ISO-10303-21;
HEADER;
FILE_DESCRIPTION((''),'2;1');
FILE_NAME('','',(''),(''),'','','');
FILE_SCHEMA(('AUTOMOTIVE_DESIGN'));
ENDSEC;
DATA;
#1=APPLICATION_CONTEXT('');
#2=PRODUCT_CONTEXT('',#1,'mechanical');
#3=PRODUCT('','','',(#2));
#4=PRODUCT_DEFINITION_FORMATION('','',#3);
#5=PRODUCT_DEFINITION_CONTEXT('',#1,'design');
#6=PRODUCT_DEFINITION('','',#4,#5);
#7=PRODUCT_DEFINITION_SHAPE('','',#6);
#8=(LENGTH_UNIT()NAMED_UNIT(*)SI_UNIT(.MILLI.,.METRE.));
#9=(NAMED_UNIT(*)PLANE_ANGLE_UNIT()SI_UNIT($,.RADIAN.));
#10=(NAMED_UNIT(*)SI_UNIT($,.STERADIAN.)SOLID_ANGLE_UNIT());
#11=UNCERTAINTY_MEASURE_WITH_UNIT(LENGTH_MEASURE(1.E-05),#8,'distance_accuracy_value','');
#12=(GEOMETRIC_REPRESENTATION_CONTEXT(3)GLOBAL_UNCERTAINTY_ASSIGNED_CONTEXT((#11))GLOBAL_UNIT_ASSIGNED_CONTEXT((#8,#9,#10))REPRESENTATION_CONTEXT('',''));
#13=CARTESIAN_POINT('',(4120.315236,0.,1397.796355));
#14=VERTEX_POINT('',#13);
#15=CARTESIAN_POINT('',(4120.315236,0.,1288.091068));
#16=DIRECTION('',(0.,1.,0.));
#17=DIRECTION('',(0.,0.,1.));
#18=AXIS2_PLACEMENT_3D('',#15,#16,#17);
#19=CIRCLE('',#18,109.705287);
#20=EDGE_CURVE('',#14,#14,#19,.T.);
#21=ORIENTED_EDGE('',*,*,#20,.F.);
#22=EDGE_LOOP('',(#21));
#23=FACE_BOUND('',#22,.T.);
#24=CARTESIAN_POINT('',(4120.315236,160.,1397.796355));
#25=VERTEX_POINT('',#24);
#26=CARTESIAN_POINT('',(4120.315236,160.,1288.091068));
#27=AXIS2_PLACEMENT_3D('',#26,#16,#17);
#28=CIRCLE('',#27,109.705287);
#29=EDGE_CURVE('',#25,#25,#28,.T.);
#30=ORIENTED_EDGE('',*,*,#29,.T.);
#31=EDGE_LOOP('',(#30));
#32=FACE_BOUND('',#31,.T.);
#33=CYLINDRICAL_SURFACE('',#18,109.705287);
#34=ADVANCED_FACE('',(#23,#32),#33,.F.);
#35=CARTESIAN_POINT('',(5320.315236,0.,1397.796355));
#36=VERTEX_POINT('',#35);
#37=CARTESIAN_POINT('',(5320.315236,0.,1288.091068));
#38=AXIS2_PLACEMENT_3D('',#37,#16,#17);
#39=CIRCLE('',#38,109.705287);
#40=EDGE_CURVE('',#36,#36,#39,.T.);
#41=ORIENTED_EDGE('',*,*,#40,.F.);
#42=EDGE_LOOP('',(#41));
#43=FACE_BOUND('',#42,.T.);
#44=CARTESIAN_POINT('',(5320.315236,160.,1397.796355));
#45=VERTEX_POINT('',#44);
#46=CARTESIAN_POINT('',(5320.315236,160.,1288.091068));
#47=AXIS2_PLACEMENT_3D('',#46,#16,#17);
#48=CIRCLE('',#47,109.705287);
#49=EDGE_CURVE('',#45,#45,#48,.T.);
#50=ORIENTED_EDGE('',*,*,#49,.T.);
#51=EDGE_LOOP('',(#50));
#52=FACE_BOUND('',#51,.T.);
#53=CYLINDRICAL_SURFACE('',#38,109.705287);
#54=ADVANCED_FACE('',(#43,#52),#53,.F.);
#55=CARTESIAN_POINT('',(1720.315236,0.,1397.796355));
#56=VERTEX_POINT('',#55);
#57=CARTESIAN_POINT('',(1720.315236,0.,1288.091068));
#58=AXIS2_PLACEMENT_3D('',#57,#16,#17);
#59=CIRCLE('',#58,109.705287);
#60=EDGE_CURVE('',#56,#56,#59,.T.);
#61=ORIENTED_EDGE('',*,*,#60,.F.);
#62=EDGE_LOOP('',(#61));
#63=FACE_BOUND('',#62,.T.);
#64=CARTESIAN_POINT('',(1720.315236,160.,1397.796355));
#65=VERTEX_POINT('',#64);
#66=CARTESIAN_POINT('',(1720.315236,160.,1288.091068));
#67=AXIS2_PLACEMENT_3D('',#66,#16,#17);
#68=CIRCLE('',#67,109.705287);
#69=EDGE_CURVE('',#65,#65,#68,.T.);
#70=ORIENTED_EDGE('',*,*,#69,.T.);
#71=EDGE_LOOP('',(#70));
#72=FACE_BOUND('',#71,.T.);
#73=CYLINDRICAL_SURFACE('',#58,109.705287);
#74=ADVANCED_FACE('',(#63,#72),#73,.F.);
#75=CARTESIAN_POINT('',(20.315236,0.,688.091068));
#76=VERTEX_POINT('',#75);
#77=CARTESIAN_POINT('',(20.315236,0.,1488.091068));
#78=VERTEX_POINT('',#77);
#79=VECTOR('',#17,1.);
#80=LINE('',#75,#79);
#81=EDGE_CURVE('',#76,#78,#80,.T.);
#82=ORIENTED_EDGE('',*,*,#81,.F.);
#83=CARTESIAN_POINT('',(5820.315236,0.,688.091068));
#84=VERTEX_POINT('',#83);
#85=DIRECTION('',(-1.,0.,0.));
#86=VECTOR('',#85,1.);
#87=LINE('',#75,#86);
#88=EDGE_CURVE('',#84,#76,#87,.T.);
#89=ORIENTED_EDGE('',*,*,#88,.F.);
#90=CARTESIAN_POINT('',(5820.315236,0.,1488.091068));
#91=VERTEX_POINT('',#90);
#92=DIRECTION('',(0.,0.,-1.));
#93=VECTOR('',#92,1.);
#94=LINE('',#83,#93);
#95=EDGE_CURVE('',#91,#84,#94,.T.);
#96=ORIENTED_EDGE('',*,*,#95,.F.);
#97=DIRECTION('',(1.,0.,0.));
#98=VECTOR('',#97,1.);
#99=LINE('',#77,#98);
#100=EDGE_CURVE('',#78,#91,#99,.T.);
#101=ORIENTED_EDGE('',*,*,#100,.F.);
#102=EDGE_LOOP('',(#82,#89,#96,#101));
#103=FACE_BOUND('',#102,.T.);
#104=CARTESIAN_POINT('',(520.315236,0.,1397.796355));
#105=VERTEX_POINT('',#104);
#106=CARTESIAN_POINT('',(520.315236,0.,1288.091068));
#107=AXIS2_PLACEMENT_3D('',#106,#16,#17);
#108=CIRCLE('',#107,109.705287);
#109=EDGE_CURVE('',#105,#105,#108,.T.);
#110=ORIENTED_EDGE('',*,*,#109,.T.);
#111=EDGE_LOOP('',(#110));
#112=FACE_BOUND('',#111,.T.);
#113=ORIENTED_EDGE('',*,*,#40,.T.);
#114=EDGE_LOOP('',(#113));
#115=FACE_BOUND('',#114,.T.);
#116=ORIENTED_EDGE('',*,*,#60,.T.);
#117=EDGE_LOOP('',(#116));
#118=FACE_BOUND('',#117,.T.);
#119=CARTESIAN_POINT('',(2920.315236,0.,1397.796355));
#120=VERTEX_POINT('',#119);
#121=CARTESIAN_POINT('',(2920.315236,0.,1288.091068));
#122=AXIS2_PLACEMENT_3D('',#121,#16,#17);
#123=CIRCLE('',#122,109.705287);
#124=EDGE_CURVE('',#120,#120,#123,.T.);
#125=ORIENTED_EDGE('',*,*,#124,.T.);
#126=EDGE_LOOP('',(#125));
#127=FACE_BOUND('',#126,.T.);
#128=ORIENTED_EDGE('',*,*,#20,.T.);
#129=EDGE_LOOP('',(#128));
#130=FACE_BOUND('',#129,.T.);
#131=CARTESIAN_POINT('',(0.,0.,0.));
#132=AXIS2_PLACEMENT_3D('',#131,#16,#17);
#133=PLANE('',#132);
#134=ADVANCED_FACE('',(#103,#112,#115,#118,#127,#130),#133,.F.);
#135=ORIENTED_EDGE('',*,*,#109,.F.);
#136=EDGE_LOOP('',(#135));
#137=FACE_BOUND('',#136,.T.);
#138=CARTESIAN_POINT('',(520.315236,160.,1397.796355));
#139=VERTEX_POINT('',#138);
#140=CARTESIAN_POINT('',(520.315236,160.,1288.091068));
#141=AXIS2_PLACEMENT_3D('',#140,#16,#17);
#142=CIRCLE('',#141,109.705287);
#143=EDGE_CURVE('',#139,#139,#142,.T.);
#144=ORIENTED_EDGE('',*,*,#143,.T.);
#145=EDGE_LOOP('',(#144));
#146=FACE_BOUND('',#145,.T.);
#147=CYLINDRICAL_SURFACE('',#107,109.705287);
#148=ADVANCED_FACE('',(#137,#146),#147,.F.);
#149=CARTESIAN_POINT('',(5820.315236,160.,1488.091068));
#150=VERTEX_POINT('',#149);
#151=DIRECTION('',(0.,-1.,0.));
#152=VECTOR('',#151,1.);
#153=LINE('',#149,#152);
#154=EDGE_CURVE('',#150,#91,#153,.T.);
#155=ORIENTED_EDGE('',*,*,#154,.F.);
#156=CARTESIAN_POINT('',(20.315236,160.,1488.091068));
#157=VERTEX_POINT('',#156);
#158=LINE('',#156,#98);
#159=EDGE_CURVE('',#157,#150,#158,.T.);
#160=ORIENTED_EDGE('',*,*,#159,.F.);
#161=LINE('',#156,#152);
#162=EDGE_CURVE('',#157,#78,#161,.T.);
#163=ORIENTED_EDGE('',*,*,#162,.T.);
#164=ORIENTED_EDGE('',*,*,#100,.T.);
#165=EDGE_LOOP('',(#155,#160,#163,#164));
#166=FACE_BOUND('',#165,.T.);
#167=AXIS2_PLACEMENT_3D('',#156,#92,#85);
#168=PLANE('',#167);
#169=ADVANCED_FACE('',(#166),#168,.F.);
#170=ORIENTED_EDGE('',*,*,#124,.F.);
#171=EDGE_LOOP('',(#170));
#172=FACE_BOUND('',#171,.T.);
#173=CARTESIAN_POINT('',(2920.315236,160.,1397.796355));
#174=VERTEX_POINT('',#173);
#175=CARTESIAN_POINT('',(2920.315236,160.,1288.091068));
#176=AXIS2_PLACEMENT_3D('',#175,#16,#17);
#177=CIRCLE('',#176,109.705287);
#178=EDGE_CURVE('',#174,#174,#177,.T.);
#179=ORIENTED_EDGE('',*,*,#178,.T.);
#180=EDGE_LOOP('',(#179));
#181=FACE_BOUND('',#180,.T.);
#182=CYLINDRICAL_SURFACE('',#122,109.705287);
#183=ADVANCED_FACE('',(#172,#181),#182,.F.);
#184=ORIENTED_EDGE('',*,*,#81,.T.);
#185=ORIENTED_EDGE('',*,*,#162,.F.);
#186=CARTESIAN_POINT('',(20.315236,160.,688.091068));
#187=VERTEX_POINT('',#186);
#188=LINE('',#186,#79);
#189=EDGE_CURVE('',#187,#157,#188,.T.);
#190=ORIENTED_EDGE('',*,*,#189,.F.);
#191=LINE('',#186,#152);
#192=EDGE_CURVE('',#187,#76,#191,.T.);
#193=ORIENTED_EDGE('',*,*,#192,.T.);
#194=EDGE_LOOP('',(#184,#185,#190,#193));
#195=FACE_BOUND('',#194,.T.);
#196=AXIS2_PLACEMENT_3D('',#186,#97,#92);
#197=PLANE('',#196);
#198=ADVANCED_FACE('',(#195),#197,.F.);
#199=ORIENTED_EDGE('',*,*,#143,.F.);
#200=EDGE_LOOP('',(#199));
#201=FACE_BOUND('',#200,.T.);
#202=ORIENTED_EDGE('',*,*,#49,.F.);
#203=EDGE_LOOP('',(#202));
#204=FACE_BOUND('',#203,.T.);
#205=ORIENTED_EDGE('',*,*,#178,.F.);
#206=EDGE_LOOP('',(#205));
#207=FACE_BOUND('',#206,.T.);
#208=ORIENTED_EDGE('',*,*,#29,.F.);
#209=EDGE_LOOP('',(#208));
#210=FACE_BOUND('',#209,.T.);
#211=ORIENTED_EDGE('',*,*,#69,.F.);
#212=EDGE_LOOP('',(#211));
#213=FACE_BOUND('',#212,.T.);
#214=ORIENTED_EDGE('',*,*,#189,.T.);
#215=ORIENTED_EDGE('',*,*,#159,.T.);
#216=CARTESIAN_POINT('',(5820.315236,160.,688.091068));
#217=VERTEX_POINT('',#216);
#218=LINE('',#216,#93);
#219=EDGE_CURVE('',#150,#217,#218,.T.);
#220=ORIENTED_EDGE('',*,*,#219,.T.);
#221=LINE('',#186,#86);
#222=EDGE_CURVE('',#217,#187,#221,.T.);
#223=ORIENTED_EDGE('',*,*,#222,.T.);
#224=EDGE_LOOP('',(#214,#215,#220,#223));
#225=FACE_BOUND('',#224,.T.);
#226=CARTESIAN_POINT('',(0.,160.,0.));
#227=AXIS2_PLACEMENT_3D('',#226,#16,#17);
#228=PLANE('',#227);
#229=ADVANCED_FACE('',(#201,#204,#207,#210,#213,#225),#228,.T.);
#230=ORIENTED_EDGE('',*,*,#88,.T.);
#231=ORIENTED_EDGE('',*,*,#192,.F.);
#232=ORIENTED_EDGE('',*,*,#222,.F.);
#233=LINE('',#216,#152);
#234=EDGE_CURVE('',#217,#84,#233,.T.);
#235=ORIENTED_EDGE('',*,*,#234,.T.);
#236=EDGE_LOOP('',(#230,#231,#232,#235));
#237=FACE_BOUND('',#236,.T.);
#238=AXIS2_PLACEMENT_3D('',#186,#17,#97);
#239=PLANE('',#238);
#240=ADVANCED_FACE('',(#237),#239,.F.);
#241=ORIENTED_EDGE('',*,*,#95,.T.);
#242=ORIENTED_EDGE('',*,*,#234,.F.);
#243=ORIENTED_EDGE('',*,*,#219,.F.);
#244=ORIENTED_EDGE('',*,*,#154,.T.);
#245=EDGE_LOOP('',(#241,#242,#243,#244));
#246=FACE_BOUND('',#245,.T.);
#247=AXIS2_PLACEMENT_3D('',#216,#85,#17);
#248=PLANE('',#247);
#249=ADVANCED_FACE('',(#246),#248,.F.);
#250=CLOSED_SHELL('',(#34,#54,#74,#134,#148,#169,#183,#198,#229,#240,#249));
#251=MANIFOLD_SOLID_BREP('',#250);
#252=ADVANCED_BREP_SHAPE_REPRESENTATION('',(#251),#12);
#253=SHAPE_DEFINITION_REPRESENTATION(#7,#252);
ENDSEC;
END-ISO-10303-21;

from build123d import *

# Parameters (mm, degrees)
SKETCH1_W           = 5800
SKETCH1_H           = 800
BOSS_EXTRUDE1_DEPTH = 160
SKETCH2_R           = 109.705286938
CUT_EXTRUDE1_DEPTH  = 160
LPATTERN1_COUNT     = 5
LPATTERN1_PITCH     = 1200


with BuildPart() as part:
    # Sketch1 → Boss-Extrude1 (new body)
    with BuildSketch(Plane(origin=(0, 0, 0), x_dir=(1, 0, 0), z_dir=(0, 1, 0))):
        with Locations((2920.315236427, -1088.091068301)):
            Rectangle(SKETCH1_W, SKETCH1_H)
    extrude(amount=BOSS_EXTRUDE1_DEPTH)

    # Sketch2 → Cut-Extrude1 (cut)
    with BuildSketch(Plane(origin=(0, 160, 0), x_dir=(1, 0, 0), z_dir=(0, 1, 0))):
        with Locations(Location((520.315236427, -1288.091068301, 0), (0, 0, 270))):  # turned: the seam where the file's is
            Circle(SKETCH2_R)
    cut_extrude1 = extrude(amount=-CUT_EXTRUDE1_DEPTH, mode=Mode.SUBTRACT)

    # LPattern1: Cut-Extrude1 ×5
    with Locations(*[(i * LPATTERN1_PITCH, 0, 0) for i in range(1, LPATTERN1_COUNT)]):
        add(cut_extrude1, mode=Mode.SUBTRACT)


solid = part.part
